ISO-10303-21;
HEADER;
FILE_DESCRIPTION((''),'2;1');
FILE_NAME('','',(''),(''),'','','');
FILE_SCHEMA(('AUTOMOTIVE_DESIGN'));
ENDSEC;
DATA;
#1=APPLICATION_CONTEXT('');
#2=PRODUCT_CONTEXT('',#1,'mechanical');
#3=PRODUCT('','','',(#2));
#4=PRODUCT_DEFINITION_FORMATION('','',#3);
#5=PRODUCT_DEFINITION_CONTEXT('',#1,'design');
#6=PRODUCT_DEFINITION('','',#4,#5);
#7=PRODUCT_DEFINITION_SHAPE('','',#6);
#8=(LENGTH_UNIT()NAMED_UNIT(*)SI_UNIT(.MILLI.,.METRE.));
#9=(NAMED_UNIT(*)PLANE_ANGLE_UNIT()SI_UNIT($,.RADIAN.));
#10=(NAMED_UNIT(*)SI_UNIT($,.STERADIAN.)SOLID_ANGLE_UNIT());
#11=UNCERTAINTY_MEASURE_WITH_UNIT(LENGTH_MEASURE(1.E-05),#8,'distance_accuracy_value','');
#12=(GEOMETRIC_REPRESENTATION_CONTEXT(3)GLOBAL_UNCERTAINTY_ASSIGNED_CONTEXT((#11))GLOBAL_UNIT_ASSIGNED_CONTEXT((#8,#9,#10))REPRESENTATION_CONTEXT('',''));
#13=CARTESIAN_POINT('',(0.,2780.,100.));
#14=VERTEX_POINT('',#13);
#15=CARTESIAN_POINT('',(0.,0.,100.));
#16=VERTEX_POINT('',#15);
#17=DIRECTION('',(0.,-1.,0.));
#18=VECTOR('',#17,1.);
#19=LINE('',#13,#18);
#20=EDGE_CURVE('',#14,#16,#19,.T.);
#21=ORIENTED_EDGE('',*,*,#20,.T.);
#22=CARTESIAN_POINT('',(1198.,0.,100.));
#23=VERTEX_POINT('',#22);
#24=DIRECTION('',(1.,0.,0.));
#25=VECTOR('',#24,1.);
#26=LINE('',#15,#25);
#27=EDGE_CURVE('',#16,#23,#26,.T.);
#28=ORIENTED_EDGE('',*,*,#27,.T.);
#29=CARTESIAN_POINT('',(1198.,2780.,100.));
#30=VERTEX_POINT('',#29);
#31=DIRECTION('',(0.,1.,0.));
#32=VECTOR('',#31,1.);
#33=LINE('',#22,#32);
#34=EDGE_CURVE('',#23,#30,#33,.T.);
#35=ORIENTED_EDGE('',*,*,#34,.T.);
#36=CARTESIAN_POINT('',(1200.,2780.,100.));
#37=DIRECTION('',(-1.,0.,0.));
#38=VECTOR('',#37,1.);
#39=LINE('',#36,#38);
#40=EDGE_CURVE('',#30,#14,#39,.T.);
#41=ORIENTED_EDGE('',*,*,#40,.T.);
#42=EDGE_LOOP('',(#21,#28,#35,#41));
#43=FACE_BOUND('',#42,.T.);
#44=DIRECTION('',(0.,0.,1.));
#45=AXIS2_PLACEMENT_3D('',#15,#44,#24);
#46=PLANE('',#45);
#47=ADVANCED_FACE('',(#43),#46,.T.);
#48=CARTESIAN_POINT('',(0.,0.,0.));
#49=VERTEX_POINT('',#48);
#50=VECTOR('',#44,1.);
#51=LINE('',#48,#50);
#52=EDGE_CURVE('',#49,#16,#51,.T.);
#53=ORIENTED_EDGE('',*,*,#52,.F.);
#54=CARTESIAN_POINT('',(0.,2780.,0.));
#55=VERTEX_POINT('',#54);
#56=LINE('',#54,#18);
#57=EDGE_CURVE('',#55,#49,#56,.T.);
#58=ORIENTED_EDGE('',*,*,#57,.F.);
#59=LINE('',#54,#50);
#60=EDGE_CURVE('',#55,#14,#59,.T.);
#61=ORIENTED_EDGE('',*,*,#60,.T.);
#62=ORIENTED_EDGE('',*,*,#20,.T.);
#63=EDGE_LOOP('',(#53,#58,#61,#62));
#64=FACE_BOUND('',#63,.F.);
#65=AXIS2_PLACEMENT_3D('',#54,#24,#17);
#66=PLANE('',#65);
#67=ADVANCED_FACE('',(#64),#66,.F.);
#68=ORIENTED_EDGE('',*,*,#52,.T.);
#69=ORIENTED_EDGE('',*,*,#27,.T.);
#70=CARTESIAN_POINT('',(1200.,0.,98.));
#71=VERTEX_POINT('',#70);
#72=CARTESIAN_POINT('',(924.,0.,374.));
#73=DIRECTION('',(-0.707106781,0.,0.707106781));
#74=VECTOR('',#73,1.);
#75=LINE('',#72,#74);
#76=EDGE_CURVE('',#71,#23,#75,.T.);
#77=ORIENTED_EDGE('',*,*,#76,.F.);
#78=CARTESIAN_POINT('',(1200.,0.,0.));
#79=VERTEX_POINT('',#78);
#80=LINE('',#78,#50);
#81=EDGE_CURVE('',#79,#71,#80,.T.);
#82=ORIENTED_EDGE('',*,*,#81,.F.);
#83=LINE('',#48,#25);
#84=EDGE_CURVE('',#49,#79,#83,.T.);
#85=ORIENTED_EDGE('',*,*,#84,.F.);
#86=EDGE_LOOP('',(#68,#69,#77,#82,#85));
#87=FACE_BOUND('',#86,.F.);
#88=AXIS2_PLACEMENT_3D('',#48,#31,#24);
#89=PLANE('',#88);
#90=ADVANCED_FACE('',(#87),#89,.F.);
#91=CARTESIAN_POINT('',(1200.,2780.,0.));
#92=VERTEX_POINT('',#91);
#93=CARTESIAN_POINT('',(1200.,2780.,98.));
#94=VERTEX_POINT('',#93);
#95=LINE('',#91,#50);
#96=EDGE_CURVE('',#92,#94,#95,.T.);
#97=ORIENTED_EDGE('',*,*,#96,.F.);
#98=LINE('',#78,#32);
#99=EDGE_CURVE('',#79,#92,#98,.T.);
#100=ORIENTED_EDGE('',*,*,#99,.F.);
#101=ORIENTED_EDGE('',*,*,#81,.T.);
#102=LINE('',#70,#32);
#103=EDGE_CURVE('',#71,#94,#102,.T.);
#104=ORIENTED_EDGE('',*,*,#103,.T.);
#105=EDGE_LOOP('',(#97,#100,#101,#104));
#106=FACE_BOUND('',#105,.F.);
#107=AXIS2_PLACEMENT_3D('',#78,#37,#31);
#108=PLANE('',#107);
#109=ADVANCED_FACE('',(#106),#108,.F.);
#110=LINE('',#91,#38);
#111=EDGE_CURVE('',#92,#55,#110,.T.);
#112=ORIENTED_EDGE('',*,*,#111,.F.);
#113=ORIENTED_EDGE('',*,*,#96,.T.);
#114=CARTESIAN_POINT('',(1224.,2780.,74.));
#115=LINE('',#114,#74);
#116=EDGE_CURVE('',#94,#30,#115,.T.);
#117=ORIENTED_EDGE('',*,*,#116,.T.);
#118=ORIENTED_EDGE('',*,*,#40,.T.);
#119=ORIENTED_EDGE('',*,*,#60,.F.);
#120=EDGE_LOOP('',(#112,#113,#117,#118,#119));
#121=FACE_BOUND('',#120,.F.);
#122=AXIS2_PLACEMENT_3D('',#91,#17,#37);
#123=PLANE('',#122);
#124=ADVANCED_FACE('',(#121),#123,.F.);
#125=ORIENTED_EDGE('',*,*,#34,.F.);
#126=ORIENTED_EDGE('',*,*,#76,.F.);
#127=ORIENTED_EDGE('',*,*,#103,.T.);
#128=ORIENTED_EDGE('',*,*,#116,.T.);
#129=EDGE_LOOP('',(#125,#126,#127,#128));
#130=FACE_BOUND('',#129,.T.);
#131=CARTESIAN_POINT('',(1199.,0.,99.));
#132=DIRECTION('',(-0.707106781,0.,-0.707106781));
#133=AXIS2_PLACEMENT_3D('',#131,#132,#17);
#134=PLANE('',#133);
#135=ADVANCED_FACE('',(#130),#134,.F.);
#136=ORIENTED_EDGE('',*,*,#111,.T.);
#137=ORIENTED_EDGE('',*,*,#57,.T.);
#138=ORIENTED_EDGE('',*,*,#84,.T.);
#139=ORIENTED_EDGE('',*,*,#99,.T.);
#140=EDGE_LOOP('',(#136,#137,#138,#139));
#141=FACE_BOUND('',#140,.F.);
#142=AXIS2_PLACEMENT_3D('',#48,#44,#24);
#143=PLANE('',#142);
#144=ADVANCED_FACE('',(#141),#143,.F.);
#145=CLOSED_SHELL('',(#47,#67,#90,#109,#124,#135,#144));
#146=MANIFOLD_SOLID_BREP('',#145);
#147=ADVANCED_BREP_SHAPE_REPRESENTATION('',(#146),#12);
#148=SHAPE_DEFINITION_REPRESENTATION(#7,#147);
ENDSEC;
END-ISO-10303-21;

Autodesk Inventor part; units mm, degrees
ref_plane "YZ Plane" through (0, 0, 0) normal (1, 0, 0) x (0, 1, 0)
ref_plane "XZ Plane" through (0, 0, 0) normal (0, 1, 0) x (-1, 0, 0)
ref_plane "XY Plane" through (0, 0, 0) normal (0, 0, 1) x (1, 0, 0)
sketch "Sketch1" plane through (0, 0, 0) normal (0, 0, 1) x (1, 0, 0)
  line L0 (0, 0) -> (1200, 0)
  line L1 (1200, 0) -> (1200, 2780)
  line L2 (1200, 2780) -> (0, 2780)
  line L3 (0, 2780) -> (0, 0)
  dimension "d0" = 1200
  dimension "d1" = 2780
extrude "Extrusion1" add sketch "Sketch1" along normal blind 100
chamfer "Chamfer1" distance 2 angle 45 1 edges at (1200, 1390, 100)
properties part number "Sandwich Wall 1200 01"
